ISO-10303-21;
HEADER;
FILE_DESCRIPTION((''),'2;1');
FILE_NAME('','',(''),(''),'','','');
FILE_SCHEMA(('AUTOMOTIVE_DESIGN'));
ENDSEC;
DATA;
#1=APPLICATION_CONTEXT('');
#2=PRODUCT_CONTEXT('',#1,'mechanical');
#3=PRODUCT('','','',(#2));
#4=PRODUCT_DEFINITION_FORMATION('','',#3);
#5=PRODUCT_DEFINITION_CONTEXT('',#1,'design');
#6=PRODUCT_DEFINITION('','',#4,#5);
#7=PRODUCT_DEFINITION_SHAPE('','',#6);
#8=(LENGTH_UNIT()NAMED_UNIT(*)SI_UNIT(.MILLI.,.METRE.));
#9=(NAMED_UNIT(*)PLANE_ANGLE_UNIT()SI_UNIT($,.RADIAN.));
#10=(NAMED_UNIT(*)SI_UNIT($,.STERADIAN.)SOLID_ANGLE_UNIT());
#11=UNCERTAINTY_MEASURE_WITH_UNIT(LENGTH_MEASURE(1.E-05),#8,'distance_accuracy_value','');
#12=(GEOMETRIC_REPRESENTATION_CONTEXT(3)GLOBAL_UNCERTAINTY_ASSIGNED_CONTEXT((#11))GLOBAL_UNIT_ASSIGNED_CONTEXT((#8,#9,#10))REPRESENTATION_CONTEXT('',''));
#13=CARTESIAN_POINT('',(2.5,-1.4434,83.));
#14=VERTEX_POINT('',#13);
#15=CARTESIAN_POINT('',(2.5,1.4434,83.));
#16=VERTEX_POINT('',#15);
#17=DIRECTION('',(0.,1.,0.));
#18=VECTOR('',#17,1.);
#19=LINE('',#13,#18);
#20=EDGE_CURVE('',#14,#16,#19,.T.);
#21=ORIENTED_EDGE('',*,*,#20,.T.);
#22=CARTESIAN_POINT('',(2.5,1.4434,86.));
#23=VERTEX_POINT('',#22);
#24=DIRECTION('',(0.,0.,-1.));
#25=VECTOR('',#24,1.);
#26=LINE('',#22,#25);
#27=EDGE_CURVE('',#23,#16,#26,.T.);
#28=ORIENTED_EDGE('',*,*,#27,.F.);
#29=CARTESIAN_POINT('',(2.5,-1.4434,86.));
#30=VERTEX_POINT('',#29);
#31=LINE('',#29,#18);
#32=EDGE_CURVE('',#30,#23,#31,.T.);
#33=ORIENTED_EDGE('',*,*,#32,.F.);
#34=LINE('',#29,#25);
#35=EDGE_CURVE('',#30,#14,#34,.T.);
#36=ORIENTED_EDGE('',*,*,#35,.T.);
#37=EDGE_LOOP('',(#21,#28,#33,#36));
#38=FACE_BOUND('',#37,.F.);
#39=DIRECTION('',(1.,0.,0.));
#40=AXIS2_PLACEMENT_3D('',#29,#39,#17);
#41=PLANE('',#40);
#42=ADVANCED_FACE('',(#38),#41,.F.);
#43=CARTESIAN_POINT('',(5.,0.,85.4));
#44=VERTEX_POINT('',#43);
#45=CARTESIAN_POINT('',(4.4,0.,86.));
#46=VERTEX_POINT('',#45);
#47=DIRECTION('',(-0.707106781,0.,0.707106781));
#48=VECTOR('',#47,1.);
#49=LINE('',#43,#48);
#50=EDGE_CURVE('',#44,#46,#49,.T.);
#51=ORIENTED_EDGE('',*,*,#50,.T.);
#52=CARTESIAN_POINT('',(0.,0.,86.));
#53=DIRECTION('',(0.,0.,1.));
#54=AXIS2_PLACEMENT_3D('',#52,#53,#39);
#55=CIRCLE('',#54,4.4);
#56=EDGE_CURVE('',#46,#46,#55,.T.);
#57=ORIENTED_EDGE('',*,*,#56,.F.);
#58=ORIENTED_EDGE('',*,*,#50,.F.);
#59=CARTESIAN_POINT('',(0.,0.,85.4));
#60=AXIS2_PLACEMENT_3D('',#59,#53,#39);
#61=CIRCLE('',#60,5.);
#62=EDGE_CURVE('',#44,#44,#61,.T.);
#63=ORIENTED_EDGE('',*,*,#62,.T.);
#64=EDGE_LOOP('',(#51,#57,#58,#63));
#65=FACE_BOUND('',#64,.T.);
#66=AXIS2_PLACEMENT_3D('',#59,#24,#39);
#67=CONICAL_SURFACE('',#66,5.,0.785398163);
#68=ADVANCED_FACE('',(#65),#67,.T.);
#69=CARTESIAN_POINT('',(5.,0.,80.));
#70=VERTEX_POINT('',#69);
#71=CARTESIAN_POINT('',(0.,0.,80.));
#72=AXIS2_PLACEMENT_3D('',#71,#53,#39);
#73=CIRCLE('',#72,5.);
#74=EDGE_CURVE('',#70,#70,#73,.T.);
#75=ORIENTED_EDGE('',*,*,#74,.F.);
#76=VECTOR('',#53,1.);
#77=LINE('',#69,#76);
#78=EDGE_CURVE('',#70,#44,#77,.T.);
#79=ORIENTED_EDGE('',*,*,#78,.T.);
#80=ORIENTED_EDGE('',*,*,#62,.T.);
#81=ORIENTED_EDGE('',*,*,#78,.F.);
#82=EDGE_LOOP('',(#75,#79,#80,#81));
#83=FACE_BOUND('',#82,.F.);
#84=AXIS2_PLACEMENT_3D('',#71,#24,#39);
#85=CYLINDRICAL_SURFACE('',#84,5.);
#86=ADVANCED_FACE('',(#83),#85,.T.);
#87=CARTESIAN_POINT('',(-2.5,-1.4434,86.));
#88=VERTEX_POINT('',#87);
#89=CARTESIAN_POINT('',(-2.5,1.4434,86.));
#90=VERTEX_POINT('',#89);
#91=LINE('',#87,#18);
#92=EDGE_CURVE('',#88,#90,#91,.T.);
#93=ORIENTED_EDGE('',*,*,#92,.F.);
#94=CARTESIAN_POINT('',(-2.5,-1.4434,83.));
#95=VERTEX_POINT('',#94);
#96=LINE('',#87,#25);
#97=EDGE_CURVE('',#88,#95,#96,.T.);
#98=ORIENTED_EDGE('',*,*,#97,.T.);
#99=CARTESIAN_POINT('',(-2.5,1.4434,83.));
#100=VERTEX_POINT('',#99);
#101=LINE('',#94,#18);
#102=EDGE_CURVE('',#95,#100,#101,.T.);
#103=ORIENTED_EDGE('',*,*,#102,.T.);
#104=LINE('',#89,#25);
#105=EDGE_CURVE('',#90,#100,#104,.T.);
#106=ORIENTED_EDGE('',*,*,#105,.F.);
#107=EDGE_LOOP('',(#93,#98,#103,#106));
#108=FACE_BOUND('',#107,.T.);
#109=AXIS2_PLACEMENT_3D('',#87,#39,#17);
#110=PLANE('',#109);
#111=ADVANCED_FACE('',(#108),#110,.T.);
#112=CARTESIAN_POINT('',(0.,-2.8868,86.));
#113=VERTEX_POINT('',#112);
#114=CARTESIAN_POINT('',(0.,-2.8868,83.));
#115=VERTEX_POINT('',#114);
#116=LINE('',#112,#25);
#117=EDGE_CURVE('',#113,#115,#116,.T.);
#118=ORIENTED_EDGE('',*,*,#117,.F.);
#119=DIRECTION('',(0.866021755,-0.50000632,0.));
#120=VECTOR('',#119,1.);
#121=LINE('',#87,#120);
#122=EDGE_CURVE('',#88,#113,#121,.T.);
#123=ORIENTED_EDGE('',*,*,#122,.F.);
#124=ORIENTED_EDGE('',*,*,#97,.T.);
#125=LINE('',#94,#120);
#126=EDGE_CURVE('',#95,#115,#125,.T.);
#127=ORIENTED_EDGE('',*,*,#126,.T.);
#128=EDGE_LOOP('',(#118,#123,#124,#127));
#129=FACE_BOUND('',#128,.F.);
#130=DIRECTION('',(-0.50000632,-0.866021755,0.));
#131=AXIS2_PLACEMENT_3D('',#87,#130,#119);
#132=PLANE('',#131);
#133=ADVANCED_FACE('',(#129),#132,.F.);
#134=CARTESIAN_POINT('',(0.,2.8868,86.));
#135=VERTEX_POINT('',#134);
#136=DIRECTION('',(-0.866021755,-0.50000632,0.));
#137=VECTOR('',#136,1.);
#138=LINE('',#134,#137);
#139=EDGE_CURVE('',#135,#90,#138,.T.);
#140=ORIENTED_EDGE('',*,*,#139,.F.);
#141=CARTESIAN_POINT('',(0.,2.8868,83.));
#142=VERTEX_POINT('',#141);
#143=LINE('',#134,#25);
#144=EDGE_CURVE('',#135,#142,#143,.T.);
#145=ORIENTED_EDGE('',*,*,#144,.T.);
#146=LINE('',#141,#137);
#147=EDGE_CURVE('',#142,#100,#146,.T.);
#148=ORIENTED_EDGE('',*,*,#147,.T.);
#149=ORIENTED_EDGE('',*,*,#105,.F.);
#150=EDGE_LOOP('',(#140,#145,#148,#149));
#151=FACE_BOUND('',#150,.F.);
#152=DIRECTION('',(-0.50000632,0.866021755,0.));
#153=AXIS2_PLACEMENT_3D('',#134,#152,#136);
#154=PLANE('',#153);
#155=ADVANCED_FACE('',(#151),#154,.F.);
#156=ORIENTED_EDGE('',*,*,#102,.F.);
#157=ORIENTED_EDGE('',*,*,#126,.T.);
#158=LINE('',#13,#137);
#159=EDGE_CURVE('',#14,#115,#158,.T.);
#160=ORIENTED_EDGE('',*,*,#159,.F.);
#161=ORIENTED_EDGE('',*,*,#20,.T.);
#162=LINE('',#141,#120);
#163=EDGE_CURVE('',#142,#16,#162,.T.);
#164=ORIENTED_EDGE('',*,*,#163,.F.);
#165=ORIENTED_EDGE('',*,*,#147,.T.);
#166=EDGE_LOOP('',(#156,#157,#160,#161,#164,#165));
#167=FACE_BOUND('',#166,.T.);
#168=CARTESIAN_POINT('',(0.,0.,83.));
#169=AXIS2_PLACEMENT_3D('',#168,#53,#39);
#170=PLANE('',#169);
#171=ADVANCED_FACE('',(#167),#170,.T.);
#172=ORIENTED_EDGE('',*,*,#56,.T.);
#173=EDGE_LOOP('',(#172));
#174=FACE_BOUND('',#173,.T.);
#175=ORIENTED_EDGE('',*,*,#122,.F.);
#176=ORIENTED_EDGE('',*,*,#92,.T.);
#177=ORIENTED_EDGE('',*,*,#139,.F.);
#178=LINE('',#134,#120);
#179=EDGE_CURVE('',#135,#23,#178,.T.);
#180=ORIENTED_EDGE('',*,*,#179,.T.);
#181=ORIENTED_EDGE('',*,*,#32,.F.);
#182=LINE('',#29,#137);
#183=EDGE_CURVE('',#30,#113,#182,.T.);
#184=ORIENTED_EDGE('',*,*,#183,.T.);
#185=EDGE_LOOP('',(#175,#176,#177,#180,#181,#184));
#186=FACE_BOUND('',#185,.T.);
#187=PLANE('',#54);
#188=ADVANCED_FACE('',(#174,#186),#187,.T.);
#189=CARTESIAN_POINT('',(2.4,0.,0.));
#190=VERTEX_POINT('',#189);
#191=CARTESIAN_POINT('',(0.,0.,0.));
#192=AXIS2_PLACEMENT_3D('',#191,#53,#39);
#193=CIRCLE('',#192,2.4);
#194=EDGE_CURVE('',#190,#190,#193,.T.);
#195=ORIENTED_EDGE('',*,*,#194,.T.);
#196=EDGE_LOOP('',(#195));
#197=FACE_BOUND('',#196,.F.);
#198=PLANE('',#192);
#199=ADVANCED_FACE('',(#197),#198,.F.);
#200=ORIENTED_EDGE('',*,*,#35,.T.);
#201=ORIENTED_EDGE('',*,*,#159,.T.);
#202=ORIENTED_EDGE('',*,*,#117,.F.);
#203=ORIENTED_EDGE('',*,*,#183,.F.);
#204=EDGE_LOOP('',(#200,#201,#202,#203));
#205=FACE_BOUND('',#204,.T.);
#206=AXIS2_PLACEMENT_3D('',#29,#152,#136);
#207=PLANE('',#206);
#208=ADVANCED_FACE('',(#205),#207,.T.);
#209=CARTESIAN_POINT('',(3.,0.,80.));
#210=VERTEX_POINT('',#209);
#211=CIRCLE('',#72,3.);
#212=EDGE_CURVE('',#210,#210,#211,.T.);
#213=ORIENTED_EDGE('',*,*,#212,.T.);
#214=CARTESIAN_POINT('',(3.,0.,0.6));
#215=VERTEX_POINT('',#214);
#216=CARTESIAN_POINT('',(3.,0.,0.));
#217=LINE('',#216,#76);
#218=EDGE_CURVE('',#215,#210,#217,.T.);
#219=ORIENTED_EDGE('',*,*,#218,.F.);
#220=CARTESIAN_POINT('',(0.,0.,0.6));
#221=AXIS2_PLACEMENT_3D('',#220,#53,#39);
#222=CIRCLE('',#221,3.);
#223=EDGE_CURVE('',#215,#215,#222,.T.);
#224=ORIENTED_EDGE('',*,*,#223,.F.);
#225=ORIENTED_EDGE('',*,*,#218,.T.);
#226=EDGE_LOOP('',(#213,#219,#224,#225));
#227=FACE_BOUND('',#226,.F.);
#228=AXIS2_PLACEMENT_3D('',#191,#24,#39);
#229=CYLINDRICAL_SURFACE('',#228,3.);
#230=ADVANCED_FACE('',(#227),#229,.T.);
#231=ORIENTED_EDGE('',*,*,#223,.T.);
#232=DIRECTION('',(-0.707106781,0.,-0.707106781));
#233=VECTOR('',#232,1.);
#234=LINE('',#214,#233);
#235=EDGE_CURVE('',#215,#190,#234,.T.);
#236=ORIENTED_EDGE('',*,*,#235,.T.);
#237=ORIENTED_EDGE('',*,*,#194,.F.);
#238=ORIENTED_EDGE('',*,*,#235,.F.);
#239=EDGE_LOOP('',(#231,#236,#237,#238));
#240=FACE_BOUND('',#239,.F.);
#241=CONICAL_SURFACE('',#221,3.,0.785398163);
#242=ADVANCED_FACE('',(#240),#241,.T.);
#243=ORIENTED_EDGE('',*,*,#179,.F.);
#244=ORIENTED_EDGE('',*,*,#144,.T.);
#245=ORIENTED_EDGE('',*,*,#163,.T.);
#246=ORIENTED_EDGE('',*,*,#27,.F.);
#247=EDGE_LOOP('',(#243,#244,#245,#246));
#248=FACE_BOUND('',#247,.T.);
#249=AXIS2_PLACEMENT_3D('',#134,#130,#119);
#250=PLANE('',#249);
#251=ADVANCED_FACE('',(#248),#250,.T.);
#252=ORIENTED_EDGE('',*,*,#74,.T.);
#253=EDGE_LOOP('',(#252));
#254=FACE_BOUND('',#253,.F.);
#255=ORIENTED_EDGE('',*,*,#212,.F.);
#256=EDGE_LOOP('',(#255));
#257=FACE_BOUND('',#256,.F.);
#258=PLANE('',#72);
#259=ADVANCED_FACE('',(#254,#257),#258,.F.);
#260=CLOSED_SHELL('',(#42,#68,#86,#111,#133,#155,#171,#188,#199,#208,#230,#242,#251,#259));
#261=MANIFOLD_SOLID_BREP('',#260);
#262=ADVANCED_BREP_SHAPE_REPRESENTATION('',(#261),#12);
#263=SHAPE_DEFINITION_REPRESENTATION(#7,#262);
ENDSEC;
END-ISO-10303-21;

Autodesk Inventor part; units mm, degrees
ref_plane "YZ Plane" through (0, 0, 0) normal (1, 0, 0) x (0, 1, 0)
ref_plane "XZ Plane" through (0, 0, 0) normal (0, 1, 0) x (-1, 0, 0)
ref_plane "XY Plane" through (0, 0, 0) normal (0, 0, 1) x (1, 0, 0)
sketch "Sketch1" plane through (0, 0, 0) normal (0, 0, 1) x (1, 0, 0)
  circle A0 centre (0, 0) radius 3
  dimension "Diameter" = 6
extrude "Extrusion1" add sketch "Sketch1" along normal blind 80
sketch "Sketch2" plane through (0, 0, 80) normal (0, 0, 1) x (1, 0, 0)
  circle A0 centre (0, 0) radius 3 projected
  circle A1 centre (0, 0) radius 5
  dimension "Head_Diameter" = 10
extrude "Extrusion2" add sketch "Sketch2" along normal blind 6 contours A0 | A1
sketch "Sketch3" plane through (0, 0, 86) normal (0, 0, 1) x (1, 0, 0)
  circle A0 centre (0, 0) radius 5 projected
  circle A1 centre (0, 0) radius 2.8868 construction
  line L0 (0, 2.8868) -> (2.5, 1.4434)
  line L1 (2.5, -1.4434) -> (2.5, 1.4434)
  line L2 (0, 2.8868) -> (-2.5, 1.4434)
  line L3 (-2.5, -1.4434) -> (-2.5, 1.4434)
  line L4 (-2.5, -1.4434) -> (0, -2.8868)
  line L5 (2.5, -1.4434) -> (0, -2.8868)
  dimension "Hex_Width" = 5
extrude "Extrusion3" cut sketch "Sketch3" against normal blind 3 contours L0 L1 L5 L4 L3 L2
thread "Thread1" size "M6x1" class "4g6g" standard "ANSI Metric M Profile" length 24
chamfer "Chamfer1" distance 0.6 angle 45 2 edges at (-5, 0, 86) (-3, 0, 0)
equation "\"d9\" = ThreadLength"
equation "\"d12\" = Chamfer"
equation "\"ThreadLength\" = 24"
equation "\"Chamfer\" = 0.6"
properties part number "SCREW, SOCKET HD, P, 12.9, M6X1X80MM"
